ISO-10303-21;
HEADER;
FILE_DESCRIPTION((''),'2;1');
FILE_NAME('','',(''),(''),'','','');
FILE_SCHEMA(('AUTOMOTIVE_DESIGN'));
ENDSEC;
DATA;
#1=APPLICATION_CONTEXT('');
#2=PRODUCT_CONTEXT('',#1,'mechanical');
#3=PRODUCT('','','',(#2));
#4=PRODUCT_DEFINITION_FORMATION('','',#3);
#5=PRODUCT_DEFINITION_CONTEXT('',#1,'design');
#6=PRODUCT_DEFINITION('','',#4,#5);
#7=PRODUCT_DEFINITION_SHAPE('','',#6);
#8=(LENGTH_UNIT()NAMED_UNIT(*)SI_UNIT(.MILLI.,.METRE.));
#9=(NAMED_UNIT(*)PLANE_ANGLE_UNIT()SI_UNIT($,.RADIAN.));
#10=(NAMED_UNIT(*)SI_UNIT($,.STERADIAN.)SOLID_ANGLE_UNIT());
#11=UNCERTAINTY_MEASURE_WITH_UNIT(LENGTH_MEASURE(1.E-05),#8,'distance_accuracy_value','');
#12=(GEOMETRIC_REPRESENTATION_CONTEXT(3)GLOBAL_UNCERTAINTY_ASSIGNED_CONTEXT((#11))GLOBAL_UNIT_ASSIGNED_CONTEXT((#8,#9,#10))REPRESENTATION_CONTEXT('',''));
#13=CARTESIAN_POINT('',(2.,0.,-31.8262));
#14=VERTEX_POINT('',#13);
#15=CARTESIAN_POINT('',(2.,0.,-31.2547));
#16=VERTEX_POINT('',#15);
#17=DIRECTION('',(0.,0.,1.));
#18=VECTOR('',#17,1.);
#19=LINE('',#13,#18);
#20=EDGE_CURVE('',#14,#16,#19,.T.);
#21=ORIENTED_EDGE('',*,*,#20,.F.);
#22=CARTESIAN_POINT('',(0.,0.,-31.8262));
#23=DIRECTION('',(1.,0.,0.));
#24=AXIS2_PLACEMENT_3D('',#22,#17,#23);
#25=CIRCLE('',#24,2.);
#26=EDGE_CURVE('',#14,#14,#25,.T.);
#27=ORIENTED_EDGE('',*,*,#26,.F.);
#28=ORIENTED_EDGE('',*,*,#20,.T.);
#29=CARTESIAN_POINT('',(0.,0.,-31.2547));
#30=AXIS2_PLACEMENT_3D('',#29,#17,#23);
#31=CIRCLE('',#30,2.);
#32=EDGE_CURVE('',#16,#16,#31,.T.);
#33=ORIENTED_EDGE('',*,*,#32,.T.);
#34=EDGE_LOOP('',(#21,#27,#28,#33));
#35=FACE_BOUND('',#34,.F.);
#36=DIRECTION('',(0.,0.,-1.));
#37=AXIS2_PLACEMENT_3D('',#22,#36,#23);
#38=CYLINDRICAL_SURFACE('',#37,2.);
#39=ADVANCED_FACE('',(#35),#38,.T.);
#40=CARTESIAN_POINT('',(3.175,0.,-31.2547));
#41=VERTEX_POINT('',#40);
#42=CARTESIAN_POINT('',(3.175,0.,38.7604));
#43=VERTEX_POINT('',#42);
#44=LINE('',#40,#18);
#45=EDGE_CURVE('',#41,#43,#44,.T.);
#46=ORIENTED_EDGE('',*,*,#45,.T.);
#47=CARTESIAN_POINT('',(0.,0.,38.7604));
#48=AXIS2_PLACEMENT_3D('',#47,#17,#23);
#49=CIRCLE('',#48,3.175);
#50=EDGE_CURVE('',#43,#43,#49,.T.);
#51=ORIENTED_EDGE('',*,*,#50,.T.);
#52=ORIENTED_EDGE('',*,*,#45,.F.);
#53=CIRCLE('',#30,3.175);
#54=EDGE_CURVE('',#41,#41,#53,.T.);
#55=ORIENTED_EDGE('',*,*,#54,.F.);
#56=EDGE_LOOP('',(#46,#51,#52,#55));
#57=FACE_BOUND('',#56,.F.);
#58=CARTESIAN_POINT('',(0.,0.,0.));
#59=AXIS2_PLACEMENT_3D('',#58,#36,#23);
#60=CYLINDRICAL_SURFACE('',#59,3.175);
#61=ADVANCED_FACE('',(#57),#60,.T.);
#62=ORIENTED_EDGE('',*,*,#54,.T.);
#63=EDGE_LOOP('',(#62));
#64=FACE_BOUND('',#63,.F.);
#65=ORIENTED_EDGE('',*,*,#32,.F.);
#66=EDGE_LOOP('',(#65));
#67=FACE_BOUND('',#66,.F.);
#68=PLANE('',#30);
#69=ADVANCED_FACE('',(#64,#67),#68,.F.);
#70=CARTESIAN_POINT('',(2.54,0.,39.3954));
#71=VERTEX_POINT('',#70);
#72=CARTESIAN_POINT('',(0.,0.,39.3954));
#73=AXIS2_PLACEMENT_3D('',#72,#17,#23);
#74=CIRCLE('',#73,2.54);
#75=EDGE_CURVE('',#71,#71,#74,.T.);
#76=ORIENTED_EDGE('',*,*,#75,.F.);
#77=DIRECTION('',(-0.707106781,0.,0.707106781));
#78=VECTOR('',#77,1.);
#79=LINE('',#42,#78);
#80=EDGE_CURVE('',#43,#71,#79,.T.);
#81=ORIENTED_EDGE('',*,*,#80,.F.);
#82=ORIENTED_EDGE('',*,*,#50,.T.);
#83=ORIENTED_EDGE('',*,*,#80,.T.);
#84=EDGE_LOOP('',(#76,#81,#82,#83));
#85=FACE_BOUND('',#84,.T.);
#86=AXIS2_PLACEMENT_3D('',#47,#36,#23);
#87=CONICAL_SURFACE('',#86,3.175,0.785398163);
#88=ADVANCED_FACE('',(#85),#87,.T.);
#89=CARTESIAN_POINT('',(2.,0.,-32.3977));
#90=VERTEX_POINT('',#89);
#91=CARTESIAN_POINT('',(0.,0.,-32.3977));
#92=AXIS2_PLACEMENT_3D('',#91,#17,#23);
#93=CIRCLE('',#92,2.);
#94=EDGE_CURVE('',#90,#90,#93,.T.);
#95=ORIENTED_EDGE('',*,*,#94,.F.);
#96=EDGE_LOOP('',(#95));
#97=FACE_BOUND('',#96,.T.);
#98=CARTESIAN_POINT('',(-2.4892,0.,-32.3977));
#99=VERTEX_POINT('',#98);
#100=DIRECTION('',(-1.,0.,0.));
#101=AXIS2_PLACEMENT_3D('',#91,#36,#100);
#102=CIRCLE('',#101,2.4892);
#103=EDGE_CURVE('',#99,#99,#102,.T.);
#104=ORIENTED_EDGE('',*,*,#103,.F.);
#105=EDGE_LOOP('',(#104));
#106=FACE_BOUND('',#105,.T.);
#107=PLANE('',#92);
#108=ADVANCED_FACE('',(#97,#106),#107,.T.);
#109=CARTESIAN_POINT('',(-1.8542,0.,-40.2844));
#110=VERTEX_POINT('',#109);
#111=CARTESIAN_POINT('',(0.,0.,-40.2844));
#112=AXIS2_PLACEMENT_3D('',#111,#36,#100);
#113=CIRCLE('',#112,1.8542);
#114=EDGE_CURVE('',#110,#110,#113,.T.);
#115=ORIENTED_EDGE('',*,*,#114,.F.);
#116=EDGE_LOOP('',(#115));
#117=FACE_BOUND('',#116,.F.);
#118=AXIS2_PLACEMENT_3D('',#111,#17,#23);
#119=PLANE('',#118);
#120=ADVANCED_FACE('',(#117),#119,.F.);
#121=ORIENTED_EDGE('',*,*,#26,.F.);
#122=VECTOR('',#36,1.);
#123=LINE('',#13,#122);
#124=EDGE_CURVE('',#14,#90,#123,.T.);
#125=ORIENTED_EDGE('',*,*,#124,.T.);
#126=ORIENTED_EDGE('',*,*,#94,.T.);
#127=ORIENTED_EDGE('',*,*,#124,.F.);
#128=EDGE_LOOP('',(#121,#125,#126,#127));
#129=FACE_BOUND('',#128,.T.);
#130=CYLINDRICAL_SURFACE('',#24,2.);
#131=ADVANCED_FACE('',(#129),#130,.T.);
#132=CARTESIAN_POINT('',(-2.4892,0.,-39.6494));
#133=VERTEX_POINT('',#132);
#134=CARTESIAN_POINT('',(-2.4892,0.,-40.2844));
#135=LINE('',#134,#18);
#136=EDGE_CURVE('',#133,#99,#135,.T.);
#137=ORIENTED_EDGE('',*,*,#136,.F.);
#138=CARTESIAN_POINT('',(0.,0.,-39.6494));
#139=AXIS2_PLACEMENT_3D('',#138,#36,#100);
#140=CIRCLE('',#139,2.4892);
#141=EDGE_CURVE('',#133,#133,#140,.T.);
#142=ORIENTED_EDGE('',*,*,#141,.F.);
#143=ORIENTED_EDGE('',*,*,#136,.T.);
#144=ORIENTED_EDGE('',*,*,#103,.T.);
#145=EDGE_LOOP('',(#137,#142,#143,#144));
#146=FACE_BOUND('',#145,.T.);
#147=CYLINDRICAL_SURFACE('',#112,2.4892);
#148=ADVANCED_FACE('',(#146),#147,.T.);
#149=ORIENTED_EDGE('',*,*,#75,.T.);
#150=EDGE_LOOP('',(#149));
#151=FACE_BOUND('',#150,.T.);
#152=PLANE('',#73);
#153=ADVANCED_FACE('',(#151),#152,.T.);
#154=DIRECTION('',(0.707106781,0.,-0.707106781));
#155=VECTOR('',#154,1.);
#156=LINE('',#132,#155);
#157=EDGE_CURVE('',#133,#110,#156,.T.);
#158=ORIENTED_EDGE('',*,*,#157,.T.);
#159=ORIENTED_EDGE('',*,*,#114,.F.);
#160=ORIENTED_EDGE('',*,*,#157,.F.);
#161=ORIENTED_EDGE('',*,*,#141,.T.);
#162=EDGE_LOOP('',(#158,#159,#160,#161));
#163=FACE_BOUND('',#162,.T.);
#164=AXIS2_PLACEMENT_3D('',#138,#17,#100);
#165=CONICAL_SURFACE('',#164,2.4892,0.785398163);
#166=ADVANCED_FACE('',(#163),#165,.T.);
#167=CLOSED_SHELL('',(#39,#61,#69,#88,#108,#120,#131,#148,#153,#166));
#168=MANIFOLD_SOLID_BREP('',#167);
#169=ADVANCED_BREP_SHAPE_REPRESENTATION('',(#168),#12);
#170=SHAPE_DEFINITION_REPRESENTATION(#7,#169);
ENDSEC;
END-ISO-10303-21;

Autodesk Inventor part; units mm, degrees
sketch "Sketch1" plane through (0, 0, 0) normal (0, 0, 1) x (1, 0, 0)
  circle A0 centre (0, 0) radius 3.175
  dimension "d0" = 6.35
extrude "Extrusion1" add sketch "Sketch1" along normal blind 39.3954 and the other way blind 40.2844
ref_plane "Work Plane1" through (0, 0, -31.8262) normal (0, 0, 1) x (1, 0, 0)
sketch "Sketch2" plane through (0, 0, -31.8262) normal (0, 0, 1) x (1, 0, 0)
  circle A0 centre (0, 0) radius 2
  circle A1 centre (0, 0) radius 3.27
  dimension "d9" = 4
  dimension "d10" = 1.27
extrude "Extrusion2" cut sketch "Sketch2" along normal mid plane 1.143
sketch "Sketch3" plane through (0, 0, -40.2844) normal (0, 0, -1) x (-1, 0, 0)
  circle A0 centre (0, 0) radius 3.175 projected
  circle A1 centre (0, 0) radius 3.175
  circle A2 centre (0, 0) radius 2.4892
  dimension "d13" = 4.9784
  dimension "d14" = 0
extrude "Extrusion3" cut sketch "Sketch3" against normal up to next
chamfer "Chamfer1" distance 0.635 angle 45 2 edges at (-3.175, 0, 39.3954) (2.4892, 0, -40.2844)
properties part number "J005526" material "ALUMINUM, 2024-T4/T351"
